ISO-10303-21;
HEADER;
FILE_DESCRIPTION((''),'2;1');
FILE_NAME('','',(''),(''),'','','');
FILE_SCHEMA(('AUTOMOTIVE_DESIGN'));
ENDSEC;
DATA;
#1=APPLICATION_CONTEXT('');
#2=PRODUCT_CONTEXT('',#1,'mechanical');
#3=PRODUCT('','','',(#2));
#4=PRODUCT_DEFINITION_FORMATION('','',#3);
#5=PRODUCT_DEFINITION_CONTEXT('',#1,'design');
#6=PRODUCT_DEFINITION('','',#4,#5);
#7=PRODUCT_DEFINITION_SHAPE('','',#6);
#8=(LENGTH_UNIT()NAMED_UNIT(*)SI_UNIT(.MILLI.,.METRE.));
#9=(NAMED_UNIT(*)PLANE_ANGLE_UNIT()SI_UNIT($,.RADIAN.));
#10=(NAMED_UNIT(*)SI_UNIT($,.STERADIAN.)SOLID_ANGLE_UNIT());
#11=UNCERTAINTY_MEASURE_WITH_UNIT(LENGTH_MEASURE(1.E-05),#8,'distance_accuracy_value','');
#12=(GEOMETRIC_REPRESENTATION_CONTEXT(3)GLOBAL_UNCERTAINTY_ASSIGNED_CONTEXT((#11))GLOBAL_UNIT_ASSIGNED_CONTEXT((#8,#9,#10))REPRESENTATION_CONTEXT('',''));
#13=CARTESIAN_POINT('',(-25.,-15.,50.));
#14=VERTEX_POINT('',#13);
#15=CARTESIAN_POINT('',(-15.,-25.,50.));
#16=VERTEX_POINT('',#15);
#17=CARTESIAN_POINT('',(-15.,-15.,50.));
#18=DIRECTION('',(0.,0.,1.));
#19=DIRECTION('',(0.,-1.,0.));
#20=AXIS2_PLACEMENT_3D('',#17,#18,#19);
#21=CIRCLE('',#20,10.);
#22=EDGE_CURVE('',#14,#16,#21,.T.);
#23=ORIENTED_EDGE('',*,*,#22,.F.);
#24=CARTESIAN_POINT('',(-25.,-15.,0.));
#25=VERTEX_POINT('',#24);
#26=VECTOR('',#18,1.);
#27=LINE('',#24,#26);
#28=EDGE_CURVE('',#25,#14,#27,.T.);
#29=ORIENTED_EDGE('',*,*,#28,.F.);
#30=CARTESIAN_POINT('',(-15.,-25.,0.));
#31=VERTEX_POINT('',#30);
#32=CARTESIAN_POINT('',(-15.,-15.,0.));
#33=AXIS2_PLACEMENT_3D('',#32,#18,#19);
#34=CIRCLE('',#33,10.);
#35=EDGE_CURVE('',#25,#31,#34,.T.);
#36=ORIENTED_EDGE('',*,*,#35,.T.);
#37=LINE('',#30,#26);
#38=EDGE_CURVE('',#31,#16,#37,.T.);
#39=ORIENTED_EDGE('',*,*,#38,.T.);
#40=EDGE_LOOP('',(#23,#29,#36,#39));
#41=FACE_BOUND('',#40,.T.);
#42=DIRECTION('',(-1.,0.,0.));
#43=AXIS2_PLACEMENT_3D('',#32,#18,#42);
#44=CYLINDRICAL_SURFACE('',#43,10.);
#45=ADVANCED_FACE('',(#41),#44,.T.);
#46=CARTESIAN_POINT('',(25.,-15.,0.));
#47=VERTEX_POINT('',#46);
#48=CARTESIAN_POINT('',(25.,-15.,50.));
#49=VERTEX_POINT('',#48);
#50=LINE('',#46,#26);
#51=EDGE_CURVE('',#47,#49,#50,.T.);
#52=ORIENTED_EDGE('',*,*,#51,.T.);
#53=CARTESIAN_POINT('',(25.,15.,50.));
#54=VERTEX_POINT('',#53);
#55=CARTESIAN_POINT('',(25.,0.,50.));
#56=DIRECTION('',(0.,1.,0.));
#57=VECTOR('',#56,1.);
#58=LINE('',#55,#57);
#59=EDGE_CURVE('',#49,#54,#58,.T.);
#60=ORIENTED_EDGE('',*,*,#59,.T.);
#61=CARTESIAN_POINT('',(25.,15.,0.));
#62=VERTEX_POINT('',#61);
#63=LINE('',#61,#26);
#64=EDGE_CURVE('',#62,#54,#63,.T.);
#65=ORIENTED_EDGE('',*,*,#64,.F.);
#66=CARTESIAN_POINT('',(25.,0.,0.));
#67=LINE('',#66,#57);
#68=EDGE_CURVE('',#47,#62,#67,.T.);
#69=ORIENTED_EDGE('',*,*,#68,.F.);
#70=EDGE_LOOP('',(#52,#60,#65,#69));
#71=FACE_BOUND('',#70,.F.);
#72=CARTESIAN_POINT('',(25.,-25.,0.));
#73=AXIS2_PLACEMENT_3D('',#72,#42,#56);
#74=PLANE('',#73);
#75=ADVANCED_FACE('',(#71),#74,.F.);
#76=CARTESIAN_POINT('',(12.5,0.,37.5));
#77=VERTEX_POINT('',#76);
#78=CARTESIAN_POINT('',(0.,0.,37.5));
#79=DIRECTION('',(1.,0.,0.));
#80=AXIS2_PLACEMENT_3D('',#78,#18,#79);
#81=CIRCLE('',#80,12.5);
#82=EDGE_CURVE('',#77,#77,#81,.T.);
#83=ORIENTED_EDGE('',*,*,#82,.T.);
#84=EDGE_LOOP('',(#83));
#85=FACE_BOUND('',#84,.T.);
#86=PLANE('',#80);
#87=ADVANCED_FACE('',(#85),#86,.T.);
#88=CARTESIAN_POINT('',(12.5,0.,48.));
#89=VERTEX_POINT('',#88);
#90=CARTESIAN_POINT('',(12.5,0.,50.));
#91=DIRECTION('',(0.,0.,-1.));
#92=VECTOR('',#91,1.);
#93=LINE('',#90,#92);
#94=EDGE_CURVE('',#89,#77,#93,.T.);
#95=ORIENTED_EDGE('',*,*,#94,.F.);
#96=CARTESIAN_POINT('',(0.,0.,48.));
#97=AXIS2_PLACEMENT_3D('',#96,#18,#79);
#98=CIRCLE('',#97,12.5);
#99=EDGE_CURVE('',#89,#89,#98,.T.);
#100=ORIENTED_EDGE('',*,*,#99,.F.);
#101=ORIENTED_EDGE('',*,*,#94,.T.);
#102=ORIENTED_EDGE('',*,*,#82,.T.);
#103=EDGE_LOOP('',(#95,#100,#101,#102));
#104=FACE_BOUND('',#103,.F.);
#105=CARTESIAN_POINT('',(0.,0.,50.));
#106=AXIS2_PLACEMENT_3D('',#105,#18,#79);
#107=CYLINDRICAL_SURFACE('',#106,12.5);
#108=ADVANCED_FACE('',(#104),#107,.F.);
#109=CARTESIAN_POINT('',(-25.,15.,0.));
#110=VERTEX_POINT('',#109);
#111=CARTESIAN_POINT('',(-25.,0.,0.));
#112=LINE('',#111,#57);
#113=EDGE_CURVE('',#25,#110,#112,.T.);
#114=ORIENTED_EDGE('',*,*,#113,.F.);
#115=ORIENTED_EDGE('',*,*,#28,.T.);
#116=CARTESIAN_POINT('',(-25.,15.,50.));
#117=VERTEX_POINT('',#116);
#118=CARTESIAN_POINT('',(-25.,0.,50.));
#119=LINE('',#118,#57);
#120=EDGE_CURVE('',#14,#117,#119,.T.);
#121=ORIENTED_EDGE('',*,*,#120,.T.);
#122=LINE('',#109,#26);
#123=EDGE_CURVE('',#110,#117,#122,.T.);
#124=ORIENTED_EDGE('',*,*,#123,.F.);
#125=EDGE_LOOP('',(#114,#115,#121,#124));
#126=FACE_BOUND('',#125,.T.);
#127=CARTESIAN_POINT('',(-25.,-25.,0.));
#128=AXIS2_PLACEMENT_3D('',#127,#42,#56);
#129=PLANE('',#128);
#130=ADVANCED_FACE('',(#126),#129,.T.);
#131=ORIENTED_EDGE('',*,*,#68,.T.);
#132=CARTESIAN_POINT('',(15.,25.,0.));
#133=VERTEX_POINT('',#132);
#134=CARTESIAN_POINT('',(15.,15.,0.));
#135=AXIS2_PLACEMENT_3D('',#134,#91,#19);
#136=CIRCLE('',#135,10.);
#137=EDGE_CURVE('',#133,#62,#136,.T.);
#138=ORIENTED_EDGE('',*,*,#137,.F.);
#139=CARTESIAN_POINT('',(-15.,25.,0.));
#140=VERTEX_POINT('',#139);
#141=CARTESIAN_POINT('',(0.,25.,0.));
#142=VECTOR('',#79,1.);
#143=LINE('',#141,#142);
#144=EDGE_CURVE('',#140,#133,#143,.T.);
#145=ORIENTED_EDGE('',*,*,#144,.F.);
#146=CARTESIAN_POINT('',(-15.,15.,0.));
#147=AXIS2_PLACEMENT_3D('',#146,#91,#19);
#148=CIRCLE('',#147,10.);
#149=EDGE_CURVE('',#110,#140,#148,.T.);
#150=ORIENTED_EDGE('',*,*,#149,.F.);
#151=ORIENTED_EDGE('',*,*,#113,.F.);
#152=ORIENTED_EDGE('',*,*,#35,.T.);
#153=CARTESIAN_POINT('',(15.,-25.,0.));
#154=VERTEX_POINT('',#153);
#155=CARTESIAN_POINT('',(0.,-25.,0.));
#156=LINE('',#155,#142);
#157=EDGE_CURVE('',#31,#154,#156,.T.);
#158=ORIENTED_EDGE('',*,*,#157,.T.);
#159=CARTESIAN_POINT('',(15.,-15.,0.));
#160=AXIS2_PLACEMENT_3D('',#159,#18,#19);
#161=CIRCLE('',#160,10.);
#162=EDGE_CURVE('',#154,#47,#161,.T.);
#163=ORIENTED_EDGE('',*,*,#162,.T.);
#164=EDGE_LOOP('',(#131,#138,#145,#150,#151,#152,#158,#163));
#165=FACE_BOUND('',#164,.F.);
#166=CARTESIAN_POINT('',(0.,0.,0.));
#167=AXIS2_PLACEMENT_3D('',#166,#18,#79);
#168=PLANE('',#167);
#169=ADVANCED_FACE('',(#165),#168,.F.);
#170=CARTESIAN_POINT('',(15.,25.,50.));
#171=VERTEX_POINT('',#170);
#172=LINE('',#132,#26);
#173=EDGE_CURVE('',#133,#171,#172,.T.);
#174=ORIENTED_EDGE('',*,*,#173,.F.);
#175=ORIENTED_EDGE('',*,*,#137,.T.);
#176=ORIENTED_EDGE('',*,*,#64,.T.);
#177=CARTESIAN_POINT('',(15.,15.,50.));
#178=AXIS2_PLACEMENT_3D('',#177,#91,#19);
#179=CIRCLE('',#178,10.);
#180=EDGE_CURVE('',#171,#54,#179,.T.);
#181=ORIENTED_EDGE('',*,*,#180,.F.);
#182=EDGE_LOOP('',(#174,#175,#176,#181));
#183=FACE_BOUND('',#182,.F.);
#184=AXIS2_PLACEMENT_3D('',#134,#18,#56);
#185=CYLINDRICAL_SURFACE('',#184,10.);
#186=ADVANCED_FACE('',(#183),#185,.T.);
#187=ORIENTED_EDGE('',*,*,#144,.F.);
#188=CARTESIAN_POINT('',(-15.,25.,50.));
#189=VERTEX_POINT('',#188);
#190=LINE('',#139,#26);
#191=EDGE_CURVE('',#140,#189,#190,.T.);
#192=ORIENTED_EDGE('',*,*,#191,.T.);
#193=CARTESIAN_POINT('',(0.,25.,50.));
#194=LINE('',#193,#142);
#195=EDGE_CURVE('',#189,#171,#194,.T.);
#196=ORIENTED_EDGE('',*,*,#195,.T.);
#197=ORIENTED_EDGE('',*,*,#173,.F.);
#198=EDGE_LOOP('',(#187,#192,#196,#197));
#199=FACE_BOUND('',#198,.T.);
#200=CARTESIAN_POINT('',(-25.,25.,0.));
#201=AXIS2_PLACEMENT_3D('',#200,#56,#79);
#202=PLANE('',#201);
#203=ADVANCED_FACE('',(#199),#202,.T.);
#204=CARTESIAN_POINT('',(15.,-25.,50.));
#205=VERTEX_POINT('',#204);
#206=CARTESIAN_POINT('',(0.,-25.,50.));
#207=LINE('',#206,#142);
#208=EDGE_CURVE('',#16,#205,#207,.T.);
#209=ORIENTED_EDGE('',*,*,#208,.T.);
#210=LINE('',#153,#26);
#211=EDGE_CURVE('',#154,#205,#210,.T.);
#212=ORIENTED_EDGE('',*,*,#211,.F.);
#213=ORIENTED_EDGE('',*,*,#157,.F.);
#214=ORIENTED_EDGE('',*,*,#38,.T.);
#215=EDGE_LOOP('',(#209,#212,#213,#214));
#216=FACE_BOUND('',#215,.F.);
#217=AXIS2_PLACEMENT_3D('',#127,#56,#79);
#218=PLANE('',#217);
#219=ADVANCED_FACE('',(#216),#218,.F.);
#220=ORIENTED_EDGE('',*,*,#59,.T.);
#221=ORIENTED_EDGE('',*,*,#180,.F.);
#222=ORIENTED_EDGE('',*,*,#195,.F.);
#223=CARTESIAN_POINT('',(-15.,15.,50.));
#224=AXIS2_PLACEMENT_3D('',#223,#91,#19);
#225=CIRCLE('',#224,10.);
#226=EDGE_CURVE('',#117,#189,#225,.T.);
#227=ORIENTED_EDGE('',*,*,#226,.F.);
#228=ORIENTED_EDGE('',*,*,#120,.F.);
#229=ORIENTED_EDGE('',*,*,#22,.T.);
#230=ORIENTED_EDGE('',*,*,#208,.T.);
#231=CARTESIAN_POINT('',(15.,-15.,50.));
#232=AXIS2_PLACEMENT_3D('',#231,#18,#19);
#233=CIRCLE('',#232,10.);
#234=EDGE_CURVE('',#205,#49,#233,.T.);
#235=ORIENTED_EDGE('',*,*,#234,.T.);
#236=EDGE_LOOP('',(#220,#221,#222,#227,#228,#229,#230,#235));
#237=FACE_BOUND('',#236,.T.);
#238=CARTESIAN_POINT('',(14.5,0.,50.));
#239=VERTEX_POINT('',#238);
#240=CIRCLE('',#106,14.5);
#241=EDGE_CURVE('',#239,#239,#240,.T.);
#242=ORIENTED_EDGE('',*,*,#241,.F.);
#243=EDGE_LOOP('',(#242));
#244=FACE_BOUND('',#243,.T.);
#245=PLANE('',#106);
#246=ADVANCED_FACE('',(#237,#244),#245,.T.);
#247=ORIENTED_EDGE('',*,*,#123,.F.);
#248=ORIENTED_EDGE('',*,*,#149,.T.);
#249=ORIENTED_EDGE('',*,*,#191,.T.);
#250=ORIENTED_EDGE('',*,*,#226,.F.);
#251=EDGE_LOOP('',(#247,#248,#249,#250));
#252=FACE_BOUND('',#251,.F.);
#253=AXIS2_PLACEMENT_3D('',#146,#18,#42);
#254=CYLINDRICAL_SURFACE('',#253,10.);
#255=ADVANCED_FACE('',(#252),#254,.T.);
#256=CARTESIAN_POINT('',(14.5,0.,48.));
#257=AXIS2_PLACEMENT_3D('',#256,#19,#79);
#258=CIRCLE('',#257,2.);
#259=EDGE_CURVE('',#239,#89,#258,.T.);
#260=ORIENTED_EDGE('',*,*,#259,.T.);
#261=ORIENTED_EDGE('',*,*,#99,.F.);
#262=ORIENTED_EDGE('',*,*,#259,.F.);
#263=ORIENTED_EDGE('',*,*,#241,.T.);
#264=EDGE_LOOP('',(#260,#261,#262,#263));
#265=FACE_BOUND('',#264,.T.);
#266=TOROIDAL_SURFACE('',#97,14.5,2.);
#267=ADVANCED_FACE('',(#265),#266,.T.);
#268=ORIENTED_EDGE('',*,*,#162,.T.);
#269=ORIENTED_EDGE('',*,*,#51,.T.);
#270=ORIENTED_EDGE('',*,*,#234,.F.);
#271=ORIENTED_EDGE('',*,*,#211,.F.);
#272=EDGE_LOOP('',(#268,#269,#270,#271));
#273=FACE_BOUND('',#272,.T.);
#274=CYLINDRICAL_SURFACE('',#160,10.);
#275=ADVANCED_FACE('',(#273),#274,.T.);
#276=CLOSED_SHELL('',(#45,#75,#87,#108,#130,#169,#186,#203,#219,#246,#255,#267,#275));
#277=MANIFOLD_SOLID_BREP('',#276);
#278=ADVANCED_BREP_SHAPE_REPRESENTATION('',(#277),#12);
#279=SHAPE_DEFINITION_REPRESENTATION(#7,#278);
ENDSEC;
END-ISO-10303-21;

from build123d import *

# Parameters (mm, degrees)
SKETCH_W     = 50
SKETCH_H     = 50
PAD_DEPTH    = 50
SKETCH001_R  = 12.5
POCKET_DEPTH = 12.5
FILLET_R     = 10
FILLET001_R  = 2


with BuildPart() as part:
    # Sketch → Pad (new body)
    with BuildSketch(Plane.XY):
        Rectangle(SKETCH_W, SKETCH_H)
    extrude(amount=PAD_DEPTH)

    # Sketch001 (on Face6 of Pad) → Pocket (cut)
    with BuildSketch(Plane.XY.offset(50)):
        Circle(SKETCH001_R)
    extrude(amount=-POCKET_DEPTH, mode=Mode.SUBTRACT)

    # Fillet
    fillet_edges = [part.edges().sort_by_distance(p)[0] for p in [
        (-25, -25, 25),
        (-25, 25, 25),
        (25, -25, 25),
        (25, 25, 25),
    ]]
    fillet(fillet_edges, radius=FILLET_R)

    # Fillet001
    fillet001_edges = [part.edges().sort_by_distance(p)[0] for p in [
        (-12.5, 0, 50),
    ]]
    fillet(fillet001_edges, radius=FILLET001_R)


solid = part.part
